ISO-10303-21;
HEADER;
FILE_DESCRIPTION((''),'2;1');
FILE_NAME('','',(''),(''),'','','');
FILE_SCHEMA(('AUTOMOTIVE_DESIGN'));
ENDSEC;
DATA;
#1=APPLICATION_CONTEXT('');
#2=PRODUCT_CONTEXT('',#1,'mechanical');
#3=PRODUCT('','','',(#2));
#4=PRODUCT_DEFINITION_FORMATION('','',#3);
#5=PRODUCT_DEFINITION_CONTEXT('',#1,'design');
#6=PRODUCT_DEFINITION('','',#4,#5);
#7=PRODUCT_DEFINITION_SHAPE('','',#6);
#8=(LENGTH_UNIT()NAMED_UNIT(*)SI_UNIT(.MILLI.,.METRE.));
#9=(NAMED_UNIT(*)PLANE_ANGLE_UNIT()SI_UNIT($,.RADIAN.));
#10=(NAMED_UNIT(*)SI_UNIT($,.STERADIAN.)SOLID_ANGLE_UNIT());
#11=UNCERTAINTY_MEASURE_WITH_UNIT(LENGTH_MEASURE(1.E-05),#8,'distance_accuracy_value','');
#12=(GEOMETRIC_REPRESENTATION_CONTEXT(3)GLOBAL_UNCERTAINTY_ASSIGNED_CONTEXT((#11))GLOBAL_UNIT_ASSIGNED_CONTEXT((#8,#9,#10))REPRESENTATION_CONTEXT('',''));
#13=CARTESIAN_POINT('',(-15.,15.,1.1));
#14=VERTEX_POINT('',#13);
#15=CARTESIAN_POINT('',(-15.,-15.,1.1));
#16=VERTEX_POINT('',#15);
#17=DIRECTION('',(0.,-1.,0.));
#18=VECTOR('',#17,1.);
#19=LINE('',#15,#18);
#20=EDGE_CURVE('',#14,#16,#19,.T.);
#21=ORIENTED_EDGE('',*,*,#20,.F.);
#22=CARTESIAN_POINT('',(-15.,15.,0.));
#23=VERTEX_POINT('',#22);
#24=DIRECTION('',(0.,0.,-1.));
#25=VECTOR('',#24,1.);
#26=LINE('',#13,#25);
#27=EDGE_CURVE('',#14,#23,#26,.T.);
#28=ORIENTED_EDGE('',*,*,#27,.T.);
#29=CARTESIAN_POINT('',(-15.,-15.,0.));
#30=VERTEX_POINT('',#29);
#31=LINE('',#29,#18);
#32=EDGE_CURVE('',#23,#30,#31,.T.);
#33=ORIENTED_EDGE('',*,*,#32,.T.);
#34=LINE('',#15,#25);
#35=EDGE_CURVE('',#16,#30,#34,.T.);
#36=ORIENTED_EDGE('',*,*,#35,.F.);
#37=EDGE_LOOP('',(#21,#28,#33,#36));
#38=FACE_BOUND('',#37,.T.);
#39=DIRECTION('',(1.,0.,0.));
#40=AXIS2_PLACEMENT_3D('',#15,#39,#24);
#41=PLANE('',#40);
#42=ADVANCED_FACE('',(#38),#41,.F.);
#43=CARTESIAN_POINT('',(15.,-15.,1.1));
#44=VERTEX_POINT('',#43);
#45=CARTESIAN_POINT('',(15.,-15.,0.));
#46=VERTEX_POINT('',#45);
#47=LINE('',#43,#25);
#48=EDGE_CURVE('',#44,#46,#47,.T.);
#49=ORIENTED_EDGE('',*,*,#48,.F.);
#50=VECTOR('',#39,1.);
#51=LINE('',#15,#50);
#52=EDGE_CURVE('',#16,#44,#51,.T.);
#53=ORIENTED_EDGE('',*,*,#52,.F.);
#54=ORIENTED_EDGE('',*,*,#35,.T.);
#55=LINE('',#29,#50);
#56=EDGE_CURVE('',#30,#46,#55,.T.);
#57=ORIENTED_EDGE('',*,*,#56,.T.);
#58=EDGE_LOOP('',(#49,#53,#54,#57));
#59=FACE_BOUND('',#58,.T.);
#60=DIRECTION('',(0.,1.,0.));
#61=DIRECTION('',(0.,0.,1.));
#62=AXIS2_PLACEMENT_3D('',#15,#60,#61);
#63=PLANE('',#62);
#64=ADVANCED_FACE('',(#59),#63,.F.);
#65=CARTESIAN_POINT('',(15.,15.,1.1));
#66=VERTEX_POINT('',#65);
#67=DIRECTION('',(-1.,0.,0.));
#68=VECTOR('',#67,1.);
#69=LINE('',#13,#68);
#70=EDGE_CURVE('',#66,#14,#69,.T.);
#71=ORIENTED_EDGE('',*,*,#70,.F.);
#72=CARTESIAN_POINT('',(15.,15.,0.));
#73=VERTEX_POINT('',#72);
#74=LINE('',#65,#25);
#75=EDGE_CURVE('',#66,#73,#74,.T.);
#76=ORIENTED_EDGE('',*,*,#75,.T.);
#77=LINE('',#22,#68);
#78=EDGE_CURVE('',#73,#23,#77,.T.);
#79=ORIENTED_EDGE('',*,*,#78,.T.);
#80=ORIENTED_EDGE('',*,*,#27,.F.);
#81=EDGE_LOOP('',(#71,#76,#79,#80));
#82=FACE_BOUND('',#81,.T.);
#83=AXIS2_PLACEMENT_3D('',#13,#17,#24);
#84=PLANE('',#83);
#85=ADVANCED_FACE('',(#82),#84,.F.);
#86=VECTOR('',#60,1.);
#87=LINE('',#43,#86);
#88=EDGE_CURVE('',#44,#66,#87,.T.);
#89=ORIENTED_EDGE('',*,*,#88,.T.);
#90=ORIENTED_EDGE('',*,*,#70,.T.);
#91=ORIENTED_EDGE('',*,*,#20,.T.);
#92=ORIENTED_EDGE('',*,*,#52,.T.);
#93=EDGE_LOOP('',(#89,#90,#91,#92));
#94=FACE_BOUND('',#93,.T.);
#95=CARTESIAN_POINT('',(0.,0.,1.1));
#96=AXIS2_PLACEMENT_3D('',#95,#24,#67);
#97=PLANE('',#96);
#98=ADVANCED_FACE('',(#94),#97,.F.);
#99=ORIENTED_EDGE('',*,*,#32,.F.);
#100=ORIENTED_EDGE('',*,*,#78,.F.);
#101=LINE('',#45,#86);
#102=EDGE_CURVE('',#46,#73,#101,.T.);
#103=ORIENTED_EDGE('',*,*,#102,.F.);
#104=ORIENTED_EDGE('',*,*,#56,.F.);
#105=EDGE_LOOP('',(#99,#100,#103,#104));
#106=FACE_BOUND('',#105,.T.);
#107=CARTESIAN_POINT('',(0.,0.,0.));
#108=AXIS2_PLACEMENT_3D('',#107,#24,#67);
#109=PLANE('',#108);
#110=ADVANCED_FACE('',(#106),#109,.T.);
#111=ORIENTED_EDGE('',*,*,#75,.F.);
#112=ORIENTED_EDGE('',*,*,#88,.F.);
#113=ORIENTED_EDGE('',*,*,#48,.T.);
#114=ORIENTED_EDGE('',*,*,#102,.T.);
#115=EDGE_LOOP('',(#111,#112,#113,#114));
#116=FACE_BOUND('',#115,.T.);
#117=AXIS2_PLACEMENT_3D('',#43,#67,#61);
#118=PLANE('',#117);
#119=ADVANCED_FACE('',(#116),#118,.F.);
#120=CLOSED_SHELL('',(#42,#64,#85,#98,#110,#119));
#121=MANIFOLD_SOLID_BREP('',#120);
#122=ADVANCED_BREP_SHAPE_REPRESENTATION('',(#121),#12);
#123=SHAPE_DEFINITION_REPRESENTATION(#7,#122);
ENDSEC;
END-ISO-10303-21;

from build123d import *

# Parameters (mm, degrees)
SKETCH_1_W      = 30
SKETCH_1_H      = 30
EXTRUDE_1_DEPTH = 1.1


with BuildPart() as part:
    # 草图1 → 凸台-拉伸1 (new body)
    with BuildSketch(Plane.XY):
        Rectangle(SKETCH_1_W, SKETCH_1_H)
    extrude(amount=EXTRUDE_1_DEPTH)


solid = part.part
